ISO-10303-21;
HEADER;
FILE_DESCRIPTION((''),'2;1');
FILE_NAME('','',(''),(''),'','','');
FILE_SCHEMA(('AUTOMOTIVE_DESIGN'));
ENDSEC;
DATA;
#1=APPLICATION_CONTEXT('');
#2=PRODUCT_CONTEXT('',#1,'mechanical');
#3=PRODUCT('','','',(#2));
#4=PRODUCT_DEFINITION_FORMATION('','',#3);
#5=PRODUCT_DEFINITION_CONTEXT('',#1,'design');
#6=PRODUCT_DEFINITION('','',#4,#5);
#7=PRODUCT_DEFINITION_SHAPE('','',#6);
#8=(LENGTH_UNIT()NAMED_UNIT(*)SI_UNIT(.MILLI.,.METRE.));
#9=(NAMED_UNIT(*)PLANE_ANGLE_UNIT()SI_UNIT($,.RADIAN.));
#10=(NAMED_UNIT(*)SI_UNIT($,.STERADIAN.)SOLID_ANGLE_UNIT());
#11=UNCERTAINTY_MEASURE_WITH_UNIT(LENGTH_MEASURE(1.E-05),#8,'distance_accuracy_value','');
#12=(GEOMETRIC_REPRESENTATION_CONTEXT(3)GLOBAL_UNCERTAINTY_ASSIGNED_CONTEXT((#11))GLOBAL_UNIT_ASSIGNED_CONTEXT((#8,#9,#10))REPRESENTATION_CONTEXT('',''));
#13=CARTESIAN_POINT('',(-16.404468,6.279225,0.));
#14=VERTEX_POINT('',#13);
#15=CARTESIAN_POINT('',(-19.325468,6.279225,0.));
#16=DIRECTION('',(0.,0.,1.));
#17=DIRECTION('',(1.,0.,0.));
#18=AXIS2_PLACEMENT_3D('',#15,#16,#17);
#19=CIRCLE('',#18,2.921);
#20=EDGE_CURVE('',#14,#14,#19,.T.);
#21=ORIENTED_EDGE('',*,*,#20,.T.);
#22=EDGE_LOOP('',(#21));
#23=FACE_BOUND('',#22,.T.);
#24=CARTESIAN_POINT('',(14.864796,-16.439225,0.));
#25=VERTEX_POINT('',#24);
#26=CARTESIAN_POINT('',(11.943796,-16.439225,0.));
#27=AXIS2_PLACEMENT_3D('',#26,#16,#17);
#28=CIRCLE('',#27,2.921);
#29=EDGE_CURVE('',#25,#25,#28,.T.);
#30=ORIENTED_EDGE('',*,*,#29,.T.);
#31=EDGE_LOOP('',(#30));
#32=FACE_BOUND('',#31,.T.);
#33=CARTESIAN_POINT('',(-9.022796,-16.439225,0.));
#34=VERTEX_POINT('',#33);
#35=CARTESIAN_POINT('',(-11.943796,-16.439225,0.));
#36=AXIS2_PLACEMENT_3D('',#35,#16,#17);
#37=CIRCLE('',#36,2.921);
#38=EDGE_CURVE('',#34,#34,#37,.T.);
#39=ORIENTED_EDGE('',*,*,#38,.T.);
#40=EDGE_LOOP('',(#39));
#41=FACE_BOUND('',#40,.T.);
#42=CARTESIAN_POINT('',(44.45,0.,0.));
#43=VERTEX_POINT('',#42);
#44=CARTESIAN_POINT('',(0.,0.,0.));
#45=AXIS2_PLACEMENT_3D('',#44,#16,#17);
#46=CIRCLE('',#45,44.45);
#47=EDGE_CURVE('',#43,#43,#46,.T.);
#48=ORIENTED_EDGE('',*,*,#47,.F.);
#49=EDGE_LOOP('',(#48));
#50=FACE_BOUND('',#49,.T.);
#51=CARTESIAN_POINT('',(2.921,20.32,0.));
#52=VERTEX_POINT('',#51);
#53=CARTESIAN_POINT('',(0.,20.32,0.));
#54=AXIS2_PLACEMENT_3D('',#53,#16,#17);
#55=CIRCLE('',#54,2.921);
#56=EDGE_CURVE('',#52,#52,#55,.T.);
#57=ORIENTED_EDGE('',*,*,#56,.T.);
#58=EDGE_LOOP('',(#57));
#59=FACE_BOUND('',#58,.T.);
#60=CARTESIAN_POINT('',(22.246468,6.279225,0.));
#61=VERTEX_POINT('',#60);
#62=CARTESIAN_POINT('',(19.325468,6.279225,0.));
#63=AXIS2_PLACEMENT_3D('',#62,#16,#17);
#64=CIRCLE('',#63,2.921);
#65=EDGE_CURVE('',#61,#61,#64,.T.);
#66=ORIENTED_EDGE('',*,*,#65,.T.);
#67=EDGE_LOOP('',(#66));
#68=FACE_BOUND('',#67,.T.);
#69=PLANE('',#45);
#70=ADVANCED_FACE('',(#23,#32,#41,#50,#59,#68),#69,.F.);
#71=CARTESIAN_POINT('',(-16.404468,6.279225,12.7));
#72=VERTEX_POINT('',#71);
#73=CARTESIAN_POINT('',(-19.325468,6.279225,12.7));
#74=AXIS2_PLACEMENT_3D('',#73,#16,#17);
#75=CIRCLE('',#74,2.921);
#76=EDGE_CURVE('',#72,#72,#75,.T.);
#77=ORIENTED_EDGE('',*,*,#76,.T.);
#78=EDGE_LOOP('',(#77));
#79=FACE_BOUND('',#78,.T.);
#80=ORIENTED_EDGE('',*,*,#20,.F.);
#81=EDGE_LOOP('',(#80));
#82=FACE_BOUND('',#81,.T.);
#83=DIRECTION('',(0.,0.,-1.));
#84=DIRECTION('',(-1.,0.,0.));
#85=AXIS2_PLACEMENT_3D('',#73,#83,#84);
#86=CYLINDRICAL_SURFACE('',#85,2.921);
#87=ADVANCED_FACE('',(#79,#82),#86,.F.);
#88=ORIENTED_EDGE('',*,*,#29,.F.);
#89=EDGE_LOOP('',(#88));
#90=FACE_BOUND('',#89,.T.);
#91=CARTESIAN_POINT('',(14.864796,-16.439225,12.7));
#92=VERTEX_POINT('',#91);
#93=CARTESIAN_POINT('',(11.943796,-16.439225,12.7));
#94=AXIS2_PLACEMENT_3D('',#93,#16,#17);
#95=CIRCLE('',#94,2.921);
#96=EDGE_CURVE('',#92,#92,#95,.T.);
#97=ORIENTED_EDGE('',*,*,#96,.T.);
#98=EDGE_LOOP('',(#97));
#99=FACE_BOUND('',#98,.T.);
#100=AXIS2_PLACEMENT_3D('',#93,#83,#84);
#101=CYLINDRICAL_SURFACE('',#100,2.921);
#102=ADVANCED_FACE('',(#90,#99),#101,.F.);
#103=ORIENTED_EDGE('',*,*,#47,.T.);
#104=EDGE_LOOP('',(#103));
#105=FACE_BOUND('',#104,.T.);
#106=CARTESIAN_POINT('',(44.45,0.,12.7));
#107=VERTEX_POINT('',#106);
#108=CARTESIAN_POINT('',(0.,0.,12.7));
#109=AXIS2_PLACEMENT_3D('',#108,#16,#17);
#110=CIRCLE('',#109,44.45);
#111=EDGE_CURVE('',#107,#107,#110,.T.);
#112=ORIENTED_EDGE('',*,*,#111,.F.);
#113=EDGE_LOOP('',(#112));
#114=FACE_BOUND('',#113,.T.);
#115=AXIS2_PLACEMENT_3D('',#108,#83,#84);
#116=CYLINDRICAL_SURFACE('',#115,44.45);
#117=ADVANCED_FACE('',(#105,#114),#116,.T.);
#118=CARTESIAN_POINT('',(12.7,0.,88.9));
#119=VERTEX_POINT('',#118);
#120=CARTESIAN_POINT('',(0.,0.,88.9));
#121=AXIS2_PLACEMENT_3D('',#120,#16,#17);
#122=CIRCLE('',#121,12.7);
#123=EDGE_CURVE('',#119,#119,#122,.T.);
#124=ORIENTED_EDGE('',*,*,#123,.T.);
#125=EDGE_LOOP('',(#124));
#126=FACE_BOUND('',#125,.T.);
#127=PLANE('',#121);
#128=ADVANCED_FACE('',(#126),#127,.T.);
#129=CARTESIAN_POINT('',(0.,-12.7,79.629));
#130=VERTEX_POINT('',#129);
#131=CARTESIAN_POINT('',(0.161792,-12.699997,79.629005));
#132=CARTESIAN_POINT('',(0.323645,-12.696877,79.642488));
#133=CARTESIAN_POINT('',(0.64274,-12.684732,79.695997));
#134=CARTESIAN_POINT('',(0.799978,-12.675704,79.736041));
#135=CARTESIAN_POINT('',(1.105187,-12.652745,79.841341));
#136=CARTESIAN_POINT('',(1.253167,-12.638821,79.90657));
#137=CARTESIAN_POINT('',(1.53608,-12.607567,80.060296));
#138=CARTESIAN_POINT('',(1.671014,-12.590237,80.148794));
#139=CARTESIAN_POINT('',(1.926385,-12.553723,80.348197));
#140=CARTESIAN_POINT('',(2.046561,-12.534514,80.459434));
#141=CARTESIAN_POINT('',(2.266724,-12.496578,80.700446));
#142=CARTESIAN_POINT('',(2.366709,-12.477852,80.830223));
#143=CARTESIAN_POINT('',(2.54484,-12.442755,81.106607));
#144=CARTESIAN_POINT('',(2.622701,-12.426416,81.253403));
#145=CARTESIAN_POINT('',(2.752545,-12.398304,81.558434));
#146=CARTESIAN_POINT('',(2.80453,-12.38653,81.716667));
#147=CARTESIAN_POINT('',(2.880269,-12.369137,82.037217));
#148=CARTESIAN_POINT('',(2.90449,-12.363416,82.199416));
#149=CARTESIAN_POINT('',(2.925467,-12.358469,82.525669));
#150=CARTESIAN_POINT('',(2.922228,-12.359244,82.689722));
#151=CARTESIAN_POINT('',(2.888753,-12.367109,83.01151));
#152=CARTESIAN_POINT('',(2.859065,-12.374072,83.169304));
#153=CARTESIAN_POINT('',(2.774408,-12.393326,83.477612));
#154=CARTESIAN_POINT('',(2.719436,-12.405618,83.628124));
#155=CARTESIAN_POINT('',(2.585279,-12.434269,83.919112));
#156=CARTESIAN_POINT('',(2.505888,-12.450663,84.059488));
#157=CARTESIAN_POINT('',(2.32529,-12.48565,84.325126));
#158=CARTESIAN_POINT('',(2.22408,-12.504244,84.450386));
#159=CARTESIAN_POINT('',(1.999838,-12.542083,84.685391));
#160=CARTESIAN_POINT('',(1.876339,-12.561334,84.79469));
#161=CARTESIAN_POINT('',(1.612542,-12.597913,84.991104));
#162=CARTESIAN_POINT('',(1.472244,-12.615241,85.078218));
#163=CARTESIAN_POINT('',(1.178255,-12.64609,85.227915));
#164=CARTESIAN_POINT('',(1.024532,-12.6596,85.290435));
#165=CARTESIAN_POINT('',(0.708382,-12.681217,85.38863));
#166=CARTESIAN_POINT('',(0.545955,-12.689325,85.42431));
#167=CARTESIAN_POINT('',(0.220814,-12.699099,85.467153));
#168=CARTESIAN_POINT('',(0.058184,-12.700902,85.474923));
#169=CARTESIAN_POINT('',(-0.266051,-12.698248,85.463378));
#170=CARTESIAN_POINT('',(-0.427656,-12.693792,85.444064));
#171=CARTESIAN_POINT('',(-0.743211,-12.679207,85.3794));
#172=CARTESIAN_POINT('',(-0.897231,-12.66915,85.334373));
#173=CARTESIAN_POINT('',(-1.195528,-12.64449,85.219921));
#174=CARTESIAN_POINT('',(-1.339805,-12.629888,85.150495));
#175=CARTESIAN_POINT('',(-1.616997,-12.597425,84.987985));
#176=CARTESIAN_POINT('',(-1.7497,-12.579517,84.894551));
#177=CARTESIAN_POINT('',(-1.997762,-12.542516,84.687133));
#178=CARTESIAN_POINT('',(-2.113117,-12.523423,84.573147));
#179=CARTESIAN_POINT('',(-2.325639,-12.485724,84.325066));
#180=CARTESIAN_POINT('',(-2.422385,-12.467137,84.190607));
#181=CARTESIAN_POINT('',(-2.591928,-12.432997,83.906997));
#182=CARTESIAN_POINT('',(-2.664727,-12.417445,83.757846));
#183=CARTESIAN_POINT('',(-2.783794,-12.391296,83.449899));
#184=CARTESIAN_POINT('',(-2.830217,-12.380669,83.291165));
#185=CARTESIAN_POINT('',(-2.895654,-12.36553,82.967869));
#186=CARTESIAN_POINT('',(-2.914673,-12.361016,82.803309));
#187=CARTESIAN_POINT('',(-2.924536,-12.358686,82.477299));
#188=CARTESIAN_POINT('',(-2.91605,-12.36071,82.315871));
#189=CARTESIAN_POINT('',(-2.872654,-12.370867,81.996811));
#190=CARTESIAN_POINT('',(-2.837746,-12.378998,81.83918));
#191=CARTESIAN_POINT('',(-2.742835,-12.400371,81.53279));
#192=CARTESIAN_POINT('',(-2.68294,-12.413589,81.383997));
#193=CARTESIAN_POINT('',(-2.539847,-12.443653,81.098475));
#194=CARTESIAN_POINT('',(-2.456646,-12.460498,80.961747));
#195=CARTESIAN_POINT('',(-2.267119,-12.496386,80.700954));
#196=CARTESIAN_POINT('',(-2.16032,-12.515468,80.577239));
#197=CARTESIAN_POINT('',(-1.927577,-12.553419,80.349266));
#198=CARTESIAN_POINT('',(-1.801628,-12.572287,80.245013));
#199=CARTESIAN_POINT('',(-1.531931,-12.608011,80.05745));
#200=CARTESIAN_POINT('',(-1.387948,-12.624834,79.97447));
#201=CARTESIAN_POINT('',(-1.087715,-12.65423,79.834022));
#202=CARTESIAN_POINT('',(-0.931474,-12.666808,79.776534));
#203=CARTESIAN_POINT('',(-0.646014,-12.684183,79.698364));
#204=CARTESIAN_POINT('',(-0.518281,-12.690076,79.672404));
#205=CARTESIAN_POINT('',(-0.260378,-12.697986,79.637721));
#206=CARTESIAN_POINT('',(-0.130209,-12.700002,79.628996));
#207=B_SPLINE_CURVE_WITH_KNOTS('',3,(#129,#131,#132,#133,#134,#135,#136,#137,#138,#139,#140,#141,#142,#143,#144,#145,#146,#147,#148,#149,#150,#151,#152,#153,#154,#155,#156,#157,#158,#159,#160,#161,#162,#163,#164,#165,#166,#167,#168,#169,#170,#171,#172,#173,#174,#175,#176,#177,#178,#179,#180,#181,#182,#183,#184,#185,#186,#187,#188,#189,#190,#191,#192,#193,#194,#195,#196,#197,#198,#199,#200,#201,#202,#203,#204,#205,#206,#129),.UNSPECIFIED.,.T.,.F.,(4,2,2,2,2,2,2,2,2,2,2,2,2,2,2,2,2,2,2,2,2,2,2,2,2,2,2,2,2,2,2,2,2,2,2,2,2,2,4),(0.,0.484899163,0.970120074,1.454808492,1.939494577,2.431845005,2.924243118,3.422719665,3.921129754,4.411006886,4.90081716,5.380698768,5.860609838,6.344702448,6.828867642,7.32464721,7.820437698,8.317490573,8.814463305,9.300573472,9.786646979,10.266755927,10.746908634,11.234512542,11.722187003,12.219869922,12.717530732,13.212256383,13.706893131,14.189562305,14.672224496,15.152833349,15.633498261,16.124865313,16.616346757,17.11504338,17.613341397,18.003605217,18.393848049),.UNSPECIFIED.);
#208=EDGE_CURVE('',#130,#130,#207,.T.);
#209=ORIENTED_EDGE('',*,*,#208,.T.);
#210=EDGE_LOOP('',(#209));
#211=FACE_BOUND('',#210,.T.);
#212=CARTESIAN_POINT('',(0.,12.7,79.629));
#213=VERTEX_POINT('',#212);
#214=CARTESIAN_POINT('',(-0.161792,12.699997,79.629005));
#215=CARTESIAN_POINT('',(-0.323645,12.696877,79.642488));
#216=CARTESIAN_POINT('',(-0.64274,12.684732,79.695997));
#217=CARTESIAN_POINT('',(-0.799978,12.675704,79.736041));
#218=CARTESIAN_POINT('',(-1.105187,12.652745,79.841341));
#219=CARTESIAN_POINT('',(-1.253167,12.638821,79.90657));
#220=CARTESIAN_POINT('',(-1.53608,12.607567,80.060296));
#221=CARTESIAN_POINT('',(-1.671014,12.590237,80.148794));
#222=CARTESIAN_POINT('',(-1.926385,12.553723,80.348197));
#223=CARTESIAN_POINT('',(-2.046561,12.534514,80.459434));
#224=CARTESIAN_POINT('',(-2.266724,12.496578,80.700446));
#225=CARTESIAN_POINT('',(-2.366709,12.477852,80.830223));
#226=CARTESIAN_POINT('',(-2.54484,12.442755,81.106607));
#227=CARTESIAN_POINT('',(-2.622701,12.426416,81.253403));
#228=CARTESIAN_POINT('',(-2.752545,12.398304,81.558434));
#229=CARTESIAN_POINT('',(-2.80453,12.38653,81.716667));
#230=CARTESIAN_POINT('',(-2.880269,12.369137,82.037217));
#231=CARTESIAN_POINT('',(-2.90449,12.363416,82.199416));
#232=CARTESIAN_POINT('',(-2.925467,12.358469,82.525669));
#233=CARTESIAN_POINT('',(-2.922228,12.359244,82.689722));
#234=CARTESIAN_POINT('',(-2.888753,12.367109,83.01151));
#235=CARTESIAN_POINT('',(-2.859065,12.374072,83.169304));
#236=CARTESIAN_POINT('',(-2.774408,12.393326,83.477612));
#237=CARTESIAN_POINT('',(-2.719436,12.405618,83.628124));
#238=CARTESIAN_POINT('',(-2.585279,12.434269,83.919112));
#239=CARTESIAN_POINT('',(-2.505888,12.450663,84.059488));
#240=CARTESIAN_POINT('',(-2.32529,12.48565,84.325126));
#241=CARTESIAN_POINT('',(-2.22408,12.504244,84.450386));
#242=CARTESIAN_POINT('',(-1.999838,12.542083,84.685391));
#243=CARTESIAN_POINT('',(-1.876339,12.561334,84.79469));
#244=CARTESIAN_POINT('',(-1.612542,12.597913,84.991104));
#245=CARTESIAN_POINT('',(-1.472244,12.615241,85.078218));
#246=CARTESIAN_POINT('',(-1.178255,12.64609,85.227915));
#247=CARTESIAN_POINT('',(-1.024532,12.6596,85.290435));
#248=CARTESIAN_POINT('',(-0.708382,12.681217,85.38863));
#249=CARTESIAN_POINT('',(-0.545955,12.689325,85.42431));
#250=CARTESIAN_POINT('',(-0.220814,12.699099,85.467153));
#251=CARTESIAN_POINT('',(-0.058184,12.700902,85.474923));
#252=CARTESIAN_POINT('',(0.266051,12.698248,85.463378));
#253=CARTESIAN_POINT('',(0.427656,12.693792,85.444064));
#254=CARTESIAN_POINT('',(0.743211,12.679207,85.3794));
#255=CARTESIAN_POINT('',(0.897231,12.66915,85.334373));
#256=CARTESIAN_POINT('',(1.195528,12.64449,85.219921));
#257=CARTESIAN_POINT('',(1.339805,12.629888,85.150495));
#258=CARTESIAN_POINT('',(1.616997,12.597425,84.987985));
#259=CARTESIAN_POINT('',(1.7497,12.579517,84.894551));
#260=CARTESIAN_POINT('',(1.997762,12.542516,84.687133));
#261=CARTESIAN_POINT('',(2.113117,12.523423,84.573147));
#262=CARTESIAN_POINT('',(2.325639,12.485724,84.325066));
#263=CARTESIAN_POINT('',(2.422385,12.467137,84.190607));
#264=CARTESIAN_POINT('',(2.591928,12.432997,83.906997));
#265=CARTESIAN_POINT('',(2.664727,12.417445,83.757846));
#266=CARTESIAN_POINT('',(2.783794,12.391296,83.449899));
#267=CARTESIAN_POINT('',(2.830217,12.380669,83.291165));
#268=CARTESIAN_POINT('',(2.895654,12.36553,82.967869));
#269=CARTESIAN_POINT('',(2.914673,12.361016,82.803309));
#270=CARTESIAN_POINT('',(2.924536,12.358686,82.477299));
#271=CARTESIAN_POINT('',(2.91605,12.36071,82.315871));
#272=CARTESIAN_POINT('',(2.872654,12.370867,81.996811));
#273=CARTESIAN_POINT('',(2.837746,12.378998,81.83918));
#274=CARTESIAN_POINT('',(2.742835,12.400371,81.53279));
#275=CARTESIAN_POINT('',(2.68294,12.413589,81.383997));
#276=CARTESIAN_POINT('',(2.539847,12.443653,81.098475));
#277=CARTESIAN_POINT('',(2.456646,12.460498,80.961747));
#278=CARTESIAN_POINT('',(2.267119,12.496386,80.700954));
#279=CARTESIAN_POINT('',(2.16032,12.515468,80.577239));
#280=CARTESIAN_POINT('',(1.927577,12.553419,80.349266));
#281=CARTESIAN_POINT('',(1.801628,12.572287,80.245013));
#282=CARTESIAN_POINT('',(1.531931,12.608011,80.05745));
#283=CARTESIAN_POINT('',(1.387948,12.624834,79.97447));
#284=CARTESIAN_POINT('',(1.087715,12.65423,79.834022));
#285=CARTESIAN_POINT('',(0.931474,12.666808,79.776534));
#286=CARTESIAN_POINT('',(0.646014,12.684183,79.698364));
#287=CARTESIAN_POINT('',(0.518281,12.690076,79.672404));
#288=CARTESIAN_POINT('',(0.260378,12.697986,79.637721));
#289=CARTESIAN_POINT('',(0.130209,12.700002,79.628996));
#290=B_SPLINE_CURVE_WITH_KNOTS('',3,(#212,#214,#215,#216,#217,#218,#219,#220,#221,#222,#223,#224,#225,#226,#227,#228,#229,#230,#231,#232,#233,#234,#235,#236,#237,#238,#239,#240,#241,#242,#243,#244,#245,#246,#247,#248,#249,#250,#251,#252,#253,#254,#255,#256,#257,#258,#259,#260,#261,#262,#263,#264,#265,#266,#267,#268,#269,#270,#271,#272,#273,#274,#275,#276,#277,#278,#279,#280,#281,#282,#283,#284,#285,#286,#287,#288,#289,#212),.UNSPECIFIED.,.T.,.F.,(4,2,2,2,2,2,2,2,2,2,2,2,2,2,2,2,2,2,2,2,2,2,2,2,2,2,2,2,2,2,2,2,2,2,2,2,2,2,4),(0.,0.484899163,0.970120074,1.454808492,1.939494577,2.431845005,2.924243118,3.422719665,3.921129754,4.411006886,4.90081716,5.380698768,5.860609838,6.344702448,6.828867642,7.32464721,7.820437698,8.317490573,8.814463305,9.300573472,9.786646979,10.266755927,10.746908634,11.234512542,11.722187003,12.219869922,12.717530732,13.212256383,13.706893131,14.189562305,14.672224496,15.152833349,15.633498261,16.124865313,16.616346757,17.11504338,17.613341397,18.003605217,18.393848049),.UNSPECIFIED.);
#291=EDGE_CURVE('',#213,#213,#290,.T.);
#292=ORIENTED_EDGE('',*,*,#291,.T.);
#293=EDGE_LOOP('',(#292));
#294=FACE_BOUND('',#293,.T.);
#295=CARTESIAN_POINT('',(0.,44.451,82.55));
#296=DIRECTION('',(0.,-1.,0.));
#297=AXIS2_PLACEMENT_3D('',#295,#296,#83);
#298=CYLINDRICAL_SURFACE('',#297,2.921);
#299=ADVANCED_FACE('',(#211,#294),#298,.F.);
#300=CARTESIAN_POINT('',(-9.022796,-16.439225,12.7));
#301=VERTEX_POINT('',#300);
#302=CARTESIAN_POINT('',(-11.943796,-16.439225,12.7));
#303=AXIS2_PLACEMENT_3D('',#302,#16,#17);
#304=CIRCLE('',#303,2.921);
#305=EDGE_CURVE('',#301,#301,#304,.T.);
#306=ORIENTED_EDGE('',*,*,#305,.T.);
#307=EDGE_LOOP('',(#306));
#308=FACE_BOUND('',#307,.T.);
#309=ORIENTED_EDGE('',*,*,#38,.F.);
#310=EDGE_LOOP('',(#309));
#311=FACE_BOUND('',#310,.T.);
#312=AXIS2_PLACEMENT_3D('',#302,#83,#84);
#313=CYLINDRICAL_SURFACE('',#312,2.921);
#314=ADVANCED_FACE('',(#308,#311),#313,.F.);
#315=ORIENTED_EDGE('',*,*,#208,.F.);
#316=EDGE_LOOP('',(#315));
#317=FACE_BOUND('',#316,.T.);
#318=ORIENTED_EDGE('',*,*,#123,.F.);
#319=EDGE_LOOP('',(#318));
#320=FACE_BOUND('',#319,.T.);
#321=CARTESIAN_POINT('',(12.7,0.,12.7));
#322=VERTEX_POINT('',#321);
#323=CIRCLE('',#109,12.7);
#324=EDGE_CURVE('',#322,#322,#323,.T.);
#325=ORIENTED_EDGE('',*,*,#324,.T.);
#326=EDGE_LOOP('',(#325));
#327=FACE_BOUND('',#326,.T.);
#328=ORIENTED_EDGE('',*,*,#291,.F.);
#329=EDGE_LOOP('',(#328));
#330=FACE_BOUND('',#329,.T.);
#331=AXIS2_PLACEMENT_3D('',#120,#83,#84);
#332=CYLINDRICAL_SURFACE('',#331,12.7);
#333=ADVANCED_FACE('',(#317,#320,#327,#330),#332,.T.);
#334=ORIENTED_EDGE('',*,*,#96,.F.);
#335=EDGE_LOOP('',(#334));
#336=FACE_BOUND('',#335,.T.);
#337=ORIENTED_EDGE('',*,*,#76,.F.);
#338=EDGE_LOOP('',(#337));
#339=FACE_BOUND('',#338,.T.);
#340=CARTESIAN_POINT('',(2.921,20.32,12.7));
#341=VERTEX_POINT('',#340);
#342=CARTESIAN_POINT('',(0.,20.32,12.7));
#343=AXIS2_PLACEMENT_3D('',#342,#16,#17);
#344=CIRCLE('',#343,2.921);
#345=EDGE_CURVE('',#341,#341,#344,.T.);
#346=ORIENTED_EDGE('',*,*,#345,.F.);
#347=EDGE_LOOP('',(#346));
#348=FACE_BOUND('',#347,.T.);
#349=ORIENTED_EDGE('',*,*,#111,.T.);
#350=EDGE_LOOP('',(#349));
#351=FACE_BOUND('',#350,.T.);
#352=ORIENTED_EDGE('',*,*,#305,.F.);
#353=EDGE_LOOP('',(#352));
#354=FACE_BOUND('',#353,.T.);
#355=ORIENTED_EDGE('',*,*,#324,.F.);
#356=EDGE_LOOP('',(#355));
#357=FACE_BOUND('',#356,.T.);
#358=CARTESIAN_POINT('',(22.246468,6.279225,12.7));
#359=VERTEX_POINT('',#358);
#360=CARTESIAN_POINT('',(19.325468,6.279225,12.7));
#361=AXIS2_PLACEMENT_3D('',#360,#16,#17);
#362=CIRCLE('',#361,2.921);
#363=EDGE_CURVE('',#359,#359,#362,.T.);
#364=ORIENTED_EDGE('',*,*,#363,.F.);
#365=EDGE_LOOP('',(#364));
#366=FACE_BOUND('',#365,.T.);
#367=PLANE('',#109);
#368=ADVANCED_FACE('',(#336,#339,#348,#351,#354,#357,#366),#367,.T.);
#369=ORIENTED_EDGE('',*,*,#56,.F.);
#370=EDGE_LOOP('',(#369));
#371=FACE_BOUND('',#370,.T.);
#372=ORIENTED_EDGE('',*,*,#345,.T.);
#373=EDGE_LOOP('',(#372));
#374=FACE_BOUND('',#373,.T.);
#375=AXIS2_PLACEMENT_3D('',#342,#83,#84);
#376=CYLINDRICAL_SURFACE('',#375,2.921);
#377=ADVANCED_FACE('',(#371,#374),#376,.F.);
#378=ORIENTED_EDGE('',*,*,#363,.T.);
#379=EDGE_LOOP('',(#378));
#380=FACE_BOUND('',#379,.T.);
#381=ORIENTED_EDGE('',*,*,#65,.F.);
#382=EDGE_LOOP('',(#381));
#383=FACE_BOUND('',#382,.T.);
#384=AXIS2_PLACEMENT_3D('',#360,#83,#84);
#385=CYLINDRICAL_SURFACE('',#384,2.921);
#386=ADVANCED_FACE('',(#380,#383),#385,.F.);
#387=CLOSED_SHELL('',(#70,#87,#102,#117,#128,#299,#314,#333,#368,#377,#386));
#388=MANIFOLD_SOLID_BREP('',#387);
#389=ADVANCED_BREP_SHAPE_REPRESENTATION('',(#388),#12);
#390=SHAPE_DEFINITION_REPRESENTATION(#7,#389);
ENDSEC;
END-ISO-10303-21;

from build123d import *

# Parameters (mm, degrees)
SKETCH1_R           = 44.45
SKETCH1_R_2         = 2.921
BOSS_EXTRUDE1_DEPTH = 12.7
SKETCH2_R           = 12.7
BOSS_EXTRUDE2_DEPTH = 76.2
CUT_EXTRUDE1_REACH  = 116.652
SKETCH4_R           = 2.921


with BuildPart() as part:
    # Sketch1 → Boss-Extrude1 (new body)
    with BuildSketch(Plane.XY):
        Circle(SKETCH1_R)
        with Locations((0, 20.32)):
            Circle(SKETCH1_R_2, mode=Mode.SUBTRACT)
        with Locations((19.325468411, 6.279225326)):
            Circle(SKETCH1_R_2, mode=Mode.SUBTRACT)
        with Locations((11.943796327, -16.439225326)):
            Circle(SKETCH1_R_2, mode=Mode.SUBTRACT)
        with Locations((-11.943796327, -16.439225326)):
            Circle(SKETCH1_R_2, mode=Mode.SUBTRACT)
        with Locations((-19.325468411, 6.279225326)):
            Circle(SKETCH1_R_2, mode=Mode.SUBTRACT)
    extrude(amount=BOSS_EXTRUDE1_DEPTH)

    # Sketch2 → Boss-Extrude2 (add)
    with BuildSketch(Plane.XY.offset(12.7)):
        with Locations(Location((0, 0, 0), (0, 0, 180))):
            Circle(SKETCH2_R)
    extrude(amount=BOSS_EXTRUDE2_DEPTH)

    # Sketch4 → Cut-Extrude1 (cut, up to next)
    with BuildSketch(Plane(origin=(0, -12.7, 0), x_dir=(-1, 0, 0), z_dir=(0, -1, 0)), mode=Mode.PRIVATE) as cut_extrude1_sk1:
        with Locations(Location((0, -82.55, 0), (0, 0, 90))):
            Circle(SKETCH4_R)
    cut_extrude1_tool1 = extrude(cut_extrude1_sk1.sketch, amount=-CUT_EXTRUDE1_REACH, mode=Mode.PRIVATE) & part.part
    add(cut_extrude1_tool1.solids().sort_by_distance((0, -12.7, 82.55))[0], mode=Mode.SUBTRACT)


solid = part.part
